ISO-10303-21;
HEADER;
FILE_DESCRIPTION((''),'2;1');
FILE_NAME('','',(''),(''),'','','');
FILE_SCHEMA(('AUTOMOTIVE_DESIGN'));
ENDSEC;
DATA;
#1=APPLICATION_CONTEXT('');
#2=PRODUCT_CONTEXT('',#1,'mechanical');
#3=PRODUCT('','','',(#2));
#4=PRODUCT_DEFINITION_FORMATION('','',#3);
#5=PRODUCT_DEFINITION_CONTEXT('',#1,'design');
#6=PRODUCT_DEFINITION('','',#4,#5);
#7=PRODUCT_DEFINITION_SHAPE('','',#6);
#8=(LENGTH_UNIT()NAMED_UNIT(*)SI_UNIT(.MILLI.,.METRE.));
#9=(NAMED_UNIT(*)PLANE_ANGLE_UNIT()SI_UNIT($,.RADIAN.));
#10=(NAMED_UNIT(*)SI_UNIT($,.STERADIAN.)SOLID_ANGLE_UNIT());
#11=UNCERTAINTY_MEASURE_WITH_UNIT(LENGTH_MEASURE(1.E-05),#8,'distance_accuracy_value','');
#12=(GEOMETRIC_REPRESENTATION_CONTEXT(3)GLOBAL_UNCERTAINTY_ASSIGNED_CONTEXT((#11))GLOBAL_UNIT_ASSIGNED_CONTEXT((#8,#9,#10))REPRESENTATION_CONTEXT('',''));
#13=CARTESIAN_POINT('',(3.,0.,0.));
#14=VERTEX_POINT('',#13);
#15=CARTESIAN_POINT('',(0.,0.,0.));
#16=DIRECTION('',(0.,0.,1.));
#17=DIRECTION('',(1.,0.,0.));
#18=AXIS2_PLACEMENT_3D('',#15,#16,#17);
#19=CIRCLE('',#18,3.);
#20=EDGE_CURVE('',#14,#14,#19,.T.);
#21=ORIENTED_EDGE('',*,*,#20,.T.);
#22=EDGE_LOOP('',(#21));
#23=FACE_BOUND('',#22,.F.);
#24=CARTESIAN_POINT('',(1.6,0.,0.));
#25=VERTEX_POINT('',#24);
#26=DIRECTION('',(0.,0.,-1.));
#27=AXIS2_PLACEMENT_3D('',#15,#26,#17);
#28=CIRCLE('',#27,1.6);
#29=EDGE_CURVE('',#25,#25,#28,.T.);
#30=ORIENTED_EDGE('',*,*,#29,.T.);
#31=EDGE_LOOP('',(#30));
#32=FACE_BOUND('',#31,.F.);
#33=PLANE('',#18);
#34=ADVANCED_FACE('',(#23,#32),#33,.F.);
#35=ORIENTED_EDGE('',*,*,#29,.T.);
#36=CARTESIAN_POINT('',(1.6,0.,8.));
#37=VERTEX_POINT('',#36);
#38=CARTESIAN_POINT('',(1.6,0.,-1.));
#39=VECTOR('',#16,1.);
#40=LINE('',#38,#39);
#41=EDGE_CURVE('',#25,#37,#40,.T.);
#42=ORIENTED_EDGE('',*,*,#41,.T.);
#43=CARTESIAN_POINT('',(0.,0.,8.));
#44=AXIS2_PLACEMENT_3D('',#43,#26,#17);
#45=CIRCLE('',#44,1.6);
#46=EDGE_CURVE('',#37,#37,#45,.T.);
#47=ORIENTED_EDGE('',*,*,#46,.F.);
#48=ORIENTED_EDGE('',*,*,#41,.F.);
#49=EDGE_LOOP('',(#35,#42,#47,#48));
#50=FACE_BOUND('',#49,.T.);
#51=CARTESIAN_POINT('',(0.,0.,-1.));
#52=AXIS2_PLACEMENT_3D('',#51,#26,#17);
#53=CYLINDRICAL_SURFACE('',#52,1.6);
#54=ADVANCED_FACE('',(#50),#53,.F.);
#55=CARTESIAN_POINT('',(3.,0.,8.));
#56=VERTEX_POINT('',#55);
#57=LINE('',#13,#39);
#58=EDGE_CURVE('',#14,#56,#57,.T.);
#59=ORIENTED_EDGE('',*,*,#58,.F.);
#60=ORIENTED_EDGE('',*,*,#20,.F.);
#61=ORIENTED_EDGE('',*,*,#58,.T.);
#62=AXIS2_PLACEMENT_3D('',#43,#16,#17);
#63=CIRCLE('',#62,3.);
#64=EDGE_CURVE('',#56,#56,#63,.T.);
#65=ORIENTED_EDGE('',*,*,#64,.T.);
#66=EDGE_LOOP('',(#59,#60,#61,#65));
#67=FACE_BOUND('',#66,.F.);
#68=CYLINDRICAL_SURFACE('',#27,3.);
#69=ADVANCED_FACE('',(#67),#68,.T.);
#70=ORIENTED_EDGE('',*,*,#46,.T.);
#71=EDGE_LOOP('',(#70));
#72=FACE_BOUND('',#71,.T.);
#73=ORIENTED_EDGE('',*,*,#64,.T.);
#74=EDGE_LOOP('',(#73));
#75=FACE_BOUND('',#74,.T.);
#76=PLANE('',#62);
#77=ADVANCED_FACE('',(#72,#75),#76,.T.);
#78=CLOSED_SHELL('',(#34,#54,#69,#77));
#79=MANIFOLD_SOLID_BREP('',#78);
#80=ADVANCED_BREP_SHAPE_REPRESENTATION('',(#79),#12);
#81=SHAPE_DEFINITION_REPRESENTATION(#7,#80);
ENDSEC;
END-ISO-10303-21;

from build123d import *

# Parameters (mm, degrees)
CYLINDER001_R     = 1.6
CYLINDER001_DEPTH = 10
CYLINDER_R        = 3
CYLINDER_DEPTH    = 8


with BuildPart() as cylinder001:
    # Cylinder001 → Cylinder001 (new body)
    with BuildSketch(Plane.XY.offset(-1)):
        Circle(CYLINDER001_R)
    extrude(amount=CYLINDER001_DEPTH)


with BuildPart() as cut:
    # Cylinder → Cylinder (new body)
    with BuildSketch(Plane.XY):
        Circle(CYLINDER_R)
    extrude(amount=CYLINDER_DEPTH)

    # Cut: cut Cylinder001
    add(cylinder001.part, mode=Mode.SUBTRACT)


solid = cut.part
